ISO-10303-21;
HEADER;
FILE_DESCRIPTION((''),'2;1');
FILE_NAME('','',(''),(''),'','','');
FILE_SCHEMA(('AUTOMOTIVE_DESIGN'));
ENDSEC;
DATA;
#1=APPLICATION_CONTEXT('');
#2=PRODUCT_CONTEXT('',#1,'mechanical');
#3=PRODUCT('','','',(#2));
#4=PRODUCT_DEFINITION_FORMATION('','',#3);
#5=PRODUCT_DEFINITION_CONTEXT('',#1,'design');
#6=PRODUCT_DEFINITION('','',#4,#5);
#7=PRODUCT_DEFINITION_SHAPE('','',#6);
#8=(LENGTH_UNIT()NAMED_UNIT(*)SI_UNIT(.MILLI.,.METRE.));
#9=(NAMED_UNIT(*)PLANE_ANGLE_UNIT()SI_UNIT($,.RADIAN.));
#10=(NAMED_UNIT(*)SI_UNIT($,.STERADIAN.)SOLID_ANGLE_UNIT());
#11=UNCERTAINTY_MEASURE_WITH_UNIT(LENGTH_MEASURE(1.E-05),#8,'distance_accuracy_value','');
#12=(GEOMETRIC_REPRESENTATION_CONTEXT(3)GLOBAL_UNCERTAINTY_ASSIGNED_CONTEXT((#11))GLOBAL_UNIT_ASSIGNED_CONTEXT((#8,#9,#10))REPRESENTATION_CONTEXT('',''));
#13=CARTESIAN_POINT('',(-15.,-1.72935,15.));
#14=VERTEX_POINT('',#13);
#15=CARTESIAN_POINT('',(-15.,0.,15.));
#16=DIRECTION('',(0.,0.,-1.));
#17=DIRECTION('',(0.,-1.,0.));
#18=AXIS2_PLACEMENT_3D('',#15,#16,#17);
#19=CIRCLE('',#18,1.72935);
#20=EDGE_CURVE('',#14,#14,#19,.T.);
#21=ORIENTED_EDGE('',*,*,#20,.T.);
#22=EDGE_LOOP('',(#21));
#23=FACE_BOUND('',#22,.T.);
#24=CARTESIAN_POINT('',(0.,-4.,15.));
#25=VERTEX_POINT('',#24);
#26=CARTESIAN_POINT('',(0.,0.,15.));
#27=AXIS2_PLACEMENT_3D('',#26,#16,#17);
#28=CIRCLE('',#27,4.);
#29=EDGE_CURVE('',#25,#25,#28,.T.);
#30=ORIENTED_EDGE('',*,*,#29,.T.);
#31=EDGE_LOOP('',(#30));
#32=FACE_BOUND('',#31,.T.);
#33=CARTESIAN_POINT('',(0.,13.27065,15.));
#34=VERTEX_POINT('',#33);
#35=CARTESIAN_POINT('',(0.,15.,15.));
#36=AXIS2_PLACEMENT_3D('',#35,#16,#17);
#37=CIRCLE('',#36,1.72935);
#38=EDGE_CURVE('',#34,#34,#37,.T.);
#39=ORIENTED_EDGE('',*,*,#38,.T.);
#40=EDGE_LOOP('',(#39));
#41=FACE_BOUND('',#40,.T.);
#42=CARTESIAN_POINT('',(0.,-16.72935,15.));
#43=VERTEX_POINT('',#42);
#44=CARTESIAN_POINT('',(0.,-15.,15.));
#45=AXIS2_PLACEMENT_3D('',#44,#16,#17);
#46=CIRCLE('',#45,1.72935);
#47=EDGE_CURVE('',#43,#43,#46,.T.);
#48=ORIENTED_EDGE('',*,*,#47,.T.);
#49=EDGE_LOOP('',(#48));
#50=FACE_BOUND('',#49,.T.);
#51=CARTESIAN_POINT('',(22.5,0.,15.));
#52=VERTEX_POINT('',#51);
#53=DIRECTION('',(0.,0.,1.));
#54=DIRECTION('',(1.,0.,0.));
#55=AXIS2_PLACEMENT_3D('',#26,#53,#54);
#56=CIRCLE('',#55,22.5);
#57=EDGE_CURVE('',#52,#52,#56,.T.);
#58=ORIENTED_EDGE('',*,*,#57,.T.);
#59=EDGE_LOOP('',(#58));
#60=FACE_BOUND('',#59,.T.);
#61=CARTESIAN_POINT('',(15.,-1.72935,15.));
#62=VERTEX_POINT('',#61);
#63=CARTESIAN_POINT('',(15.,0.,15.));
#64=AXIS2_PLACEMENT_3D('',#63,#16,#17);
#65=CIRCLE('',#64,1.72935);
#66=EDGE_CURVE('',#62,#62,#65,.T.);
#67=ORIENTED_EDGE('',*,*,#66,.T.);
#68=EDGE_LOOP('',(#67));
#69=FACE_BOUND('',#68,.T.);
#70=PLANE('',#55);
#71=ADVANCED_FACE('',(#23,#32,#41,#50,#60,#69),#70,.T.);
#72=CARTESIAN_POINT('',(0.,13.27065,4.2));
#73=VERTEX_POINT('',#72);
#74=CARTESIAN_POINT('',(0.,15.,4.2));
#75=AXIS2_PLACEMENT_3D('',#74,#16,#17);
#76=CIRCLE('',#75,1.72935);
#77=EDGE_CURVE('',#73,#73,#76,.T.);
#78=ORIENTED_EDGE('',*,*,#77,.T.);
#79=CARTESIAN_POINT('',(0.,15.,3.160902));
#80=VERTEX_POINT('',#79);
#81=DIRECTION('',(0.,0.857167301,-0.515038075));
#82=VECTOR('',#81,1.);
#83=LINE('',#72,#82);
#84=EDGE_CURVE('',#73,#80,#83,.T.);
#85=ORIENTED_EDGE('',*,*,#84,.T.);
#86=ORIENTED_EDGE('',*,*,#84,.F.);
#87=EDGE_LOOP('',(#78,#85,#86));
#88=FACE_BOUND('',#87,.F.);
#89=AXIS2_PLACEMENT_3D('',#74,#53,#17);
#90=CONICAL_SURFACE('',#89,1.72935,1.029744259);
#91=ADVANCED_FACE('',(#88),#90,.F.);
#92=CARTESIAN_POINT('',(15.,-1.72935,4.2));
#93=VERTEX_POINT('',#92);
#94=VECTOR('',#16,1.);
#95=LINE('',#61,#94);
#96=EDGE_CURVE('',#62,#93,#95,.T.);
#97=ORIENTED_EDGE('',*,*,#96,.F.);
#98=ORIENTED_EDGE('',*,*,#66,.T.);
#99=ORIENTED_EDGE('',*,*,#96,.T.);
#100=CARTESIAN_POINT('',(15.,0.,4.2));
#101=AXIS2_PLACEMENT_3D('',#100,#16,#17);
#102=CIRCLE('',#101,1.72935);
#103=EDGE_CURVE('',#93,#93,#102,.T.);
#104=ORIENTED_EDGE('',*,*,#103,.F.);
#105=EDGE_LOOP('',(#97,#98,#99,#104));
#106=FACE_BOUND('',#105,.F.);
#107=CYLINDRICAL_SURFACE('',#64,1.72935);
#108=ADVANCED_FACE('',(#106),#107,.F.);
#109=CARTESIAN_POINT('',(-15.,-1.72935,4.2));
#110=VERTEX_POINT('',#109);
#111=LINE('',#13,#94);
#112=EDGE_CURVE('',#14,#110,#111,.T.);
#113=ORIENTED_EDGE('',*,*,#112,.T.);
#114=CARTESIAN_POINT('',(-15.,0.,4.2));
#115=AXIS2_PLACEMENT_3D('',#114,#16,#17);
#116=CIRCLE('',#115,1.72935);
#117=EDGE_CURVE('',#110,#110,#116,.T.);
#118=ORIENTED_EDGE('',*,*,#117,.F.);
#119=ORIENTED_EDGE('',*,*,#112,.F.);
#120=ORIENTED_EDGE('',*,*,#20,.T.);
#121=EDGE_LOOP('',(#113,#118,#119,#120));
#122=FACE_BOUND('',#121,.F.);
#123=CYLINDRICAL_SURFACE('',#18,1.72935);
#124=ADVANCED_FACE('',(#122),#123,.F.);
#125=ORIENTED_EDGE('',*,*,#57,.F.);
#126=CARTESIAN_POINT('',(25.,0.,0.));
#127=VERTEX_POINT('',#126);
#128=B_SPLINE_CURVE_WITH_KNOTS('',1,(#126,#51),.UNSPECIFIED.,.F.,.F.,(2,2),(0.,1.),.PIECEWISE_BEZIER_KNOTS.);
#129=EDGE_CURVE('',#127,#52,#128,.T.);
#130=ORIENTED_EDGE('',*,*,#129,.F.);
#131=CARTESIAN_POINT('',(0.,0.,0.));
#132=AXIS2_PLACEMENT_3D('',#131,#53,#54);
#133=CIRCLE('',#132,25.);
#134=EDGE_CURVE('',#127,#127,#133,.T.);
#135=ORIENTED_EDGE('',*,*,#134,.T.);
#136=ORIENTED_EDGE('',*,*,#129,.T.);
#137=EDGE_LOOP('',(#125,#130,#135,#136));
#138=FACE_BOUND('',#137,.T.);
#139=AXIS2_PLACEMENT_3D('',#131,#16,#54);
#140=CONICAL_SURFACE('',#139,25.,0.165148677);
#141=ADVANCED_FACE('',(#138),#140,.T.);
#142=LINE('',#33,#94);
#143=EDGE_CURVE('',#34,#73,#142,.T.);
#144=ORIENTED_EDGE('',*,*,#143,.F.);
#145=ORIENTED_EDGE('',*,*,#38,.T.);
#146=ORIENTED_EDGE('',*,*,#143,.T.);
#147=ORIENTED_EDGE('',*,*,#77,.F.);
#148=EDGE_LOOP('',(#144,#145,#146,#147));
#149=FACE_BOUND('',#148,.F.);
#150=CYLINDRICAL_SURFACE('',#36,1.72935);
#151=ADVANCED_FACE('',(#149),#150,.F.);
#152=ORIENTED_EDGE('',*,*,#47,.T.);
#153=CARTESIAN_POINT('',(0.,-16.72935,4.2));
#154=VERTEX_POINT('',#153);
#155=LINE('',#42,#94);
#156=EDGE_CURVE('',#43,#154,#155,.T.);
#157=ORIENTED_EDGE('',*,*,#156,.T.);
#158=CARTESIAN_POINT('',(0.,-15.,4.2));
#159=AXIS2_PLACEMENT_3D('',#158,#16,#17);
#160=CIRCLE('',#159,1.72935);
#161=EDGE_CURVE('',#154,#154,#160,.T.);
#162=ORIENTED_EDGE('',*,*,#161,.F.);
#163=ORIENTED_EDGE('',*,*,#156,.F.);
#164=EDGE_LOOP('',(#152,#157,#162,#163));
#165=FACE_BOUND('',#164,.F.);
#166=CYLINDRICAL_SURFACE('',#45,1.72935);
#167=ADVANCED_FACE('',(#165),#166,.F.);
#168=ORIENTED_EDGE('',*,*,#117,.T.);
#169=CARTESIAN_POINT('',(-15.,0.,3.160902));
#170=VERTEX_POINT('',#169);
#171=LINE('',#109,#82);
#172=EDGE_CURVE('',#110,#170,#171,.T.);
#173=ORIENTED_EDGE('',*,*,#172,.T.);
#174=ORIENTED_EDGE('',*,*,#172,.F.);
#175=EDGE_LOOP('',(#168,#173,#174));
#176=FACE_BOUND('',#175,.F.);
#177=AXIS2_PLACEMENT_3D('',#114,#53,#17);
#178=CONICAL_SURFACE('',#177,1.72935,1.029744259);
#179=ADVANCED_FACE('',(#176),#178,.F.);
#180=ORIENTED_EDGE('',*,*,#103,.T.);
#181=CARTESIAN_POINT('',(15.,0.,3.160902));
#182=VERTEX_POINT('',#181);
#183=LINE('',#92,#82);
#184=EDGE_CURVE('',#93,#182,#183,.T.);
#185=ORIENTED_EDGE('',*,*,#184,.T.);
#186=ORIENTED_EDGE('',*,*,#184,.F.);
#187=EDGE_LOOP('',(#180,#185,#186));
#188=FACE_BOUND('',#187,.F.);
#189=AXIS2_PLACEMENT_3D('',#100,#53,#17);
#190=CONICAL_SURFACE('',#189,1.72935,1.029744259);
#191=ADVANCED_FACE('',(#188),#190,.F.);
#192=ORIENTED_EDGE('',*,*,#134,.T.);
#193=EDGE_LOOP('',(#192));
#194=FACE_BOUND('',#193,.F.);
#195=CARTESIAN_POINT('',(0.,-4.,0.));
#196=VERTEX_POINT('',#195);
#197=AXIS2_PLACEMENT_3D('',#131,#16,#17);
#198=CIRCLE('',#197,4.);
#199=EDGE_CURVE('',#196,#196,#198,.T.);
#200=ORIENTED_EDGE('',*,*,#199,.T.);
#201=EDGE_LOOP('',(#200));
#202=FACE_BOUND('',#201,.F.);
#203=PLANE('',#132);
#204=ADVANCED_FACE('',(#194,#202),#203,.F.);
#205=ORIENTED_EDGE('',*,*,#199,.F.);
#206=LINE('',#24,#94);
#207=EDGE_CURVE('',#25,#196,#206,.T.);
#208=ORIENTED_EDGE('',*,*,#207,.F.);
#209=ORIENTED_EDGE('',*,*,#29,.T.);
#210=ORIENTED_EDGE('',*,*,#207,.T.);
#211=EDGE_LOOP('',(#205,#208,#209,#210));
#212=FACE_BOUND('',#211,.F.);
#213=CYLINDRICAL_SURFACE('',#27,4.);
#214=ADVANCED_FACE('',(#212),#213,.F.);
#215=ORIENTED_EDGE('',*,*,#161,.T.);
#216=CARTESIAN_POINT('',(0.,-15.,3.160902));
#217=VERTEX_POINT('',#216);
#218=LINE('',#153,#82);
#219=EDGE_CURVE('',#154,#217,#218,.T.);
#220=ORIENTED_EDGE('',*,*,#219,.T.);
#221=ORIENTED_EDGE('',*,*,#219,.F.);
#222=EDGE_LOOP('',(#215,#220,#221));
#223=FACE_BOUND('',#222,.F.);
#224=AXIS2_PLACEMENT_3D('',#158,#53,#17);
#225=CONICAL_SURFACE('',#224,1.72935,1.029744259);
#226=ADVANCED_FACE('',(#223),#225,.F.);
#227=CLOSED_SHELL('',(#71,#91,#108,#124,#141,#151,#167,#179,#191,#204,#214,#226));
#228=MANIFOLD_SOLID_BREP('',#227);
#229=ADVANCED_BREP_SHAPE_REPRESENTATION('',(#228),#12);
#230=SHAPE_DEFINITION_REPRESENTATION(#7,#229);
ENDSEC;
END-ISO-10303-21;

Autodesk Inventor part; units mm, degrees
ref_plane "YZ Plane" through (0, 0, 0) normal (1, 0, 0) x (0, 1, 0)
ref_plane "XZ Plane" through (0, 0, 0) normal (0, 1, 0) x (-1, 0, 0)
sketch "スケッチ7" plane through (0, 0, 0) normal (0, 0, 1) x (1, 0, 0)
  circle A0 centre (0, 0) radius 25
  dimension "d32" = 50
ref_plane "作業平面7" through (0, 0, 15) normal (0, 0, 1) x (1, 0, 0)
sketch "スケッチ8" plane through (0, 0, 15) normal (0, 0, 1) x (1, 0, 0)
  circle A0 centre (0, 0) radius 22.5
  dimension "d34" = 45
loft "ロフト2" add profiles "スケッチ7", "スケッチ8"
sketch "スケッチ5" plane through (0, 0, 15) normal (0, 0, 1) x (1, 0, 0)
  point P0 (0, 0)
  point P1 (0, 0)
hole "穴1" at (0, 0, 15) direction (0, 0, -1) diameter 8 end through all
sketch "スケッチ6" plane through (0, 0, 15) normal (0, 0, 1) x (1, 0, 0)
  point P0 (0, 0)
  point P1 (15, 0)
  point P2 (0, 15)
  point P3 (-15, 0)
  point P4 (0, -15)
  point P5 (0, 0)
  dimension "d21" = 360
  dimension "d23" = 30
hole "穴2" at (15, 0, 15) at (0, 15, 15) at (-15, 0, 15) at (0, -15, 15) direction (0, 0, -1) diameter 3.4587 depth 10.8 tip angle 118 thread size "M4x0.5" class "6H" standard "ISO Metric profile"
properties part number "Stator_N5065"
